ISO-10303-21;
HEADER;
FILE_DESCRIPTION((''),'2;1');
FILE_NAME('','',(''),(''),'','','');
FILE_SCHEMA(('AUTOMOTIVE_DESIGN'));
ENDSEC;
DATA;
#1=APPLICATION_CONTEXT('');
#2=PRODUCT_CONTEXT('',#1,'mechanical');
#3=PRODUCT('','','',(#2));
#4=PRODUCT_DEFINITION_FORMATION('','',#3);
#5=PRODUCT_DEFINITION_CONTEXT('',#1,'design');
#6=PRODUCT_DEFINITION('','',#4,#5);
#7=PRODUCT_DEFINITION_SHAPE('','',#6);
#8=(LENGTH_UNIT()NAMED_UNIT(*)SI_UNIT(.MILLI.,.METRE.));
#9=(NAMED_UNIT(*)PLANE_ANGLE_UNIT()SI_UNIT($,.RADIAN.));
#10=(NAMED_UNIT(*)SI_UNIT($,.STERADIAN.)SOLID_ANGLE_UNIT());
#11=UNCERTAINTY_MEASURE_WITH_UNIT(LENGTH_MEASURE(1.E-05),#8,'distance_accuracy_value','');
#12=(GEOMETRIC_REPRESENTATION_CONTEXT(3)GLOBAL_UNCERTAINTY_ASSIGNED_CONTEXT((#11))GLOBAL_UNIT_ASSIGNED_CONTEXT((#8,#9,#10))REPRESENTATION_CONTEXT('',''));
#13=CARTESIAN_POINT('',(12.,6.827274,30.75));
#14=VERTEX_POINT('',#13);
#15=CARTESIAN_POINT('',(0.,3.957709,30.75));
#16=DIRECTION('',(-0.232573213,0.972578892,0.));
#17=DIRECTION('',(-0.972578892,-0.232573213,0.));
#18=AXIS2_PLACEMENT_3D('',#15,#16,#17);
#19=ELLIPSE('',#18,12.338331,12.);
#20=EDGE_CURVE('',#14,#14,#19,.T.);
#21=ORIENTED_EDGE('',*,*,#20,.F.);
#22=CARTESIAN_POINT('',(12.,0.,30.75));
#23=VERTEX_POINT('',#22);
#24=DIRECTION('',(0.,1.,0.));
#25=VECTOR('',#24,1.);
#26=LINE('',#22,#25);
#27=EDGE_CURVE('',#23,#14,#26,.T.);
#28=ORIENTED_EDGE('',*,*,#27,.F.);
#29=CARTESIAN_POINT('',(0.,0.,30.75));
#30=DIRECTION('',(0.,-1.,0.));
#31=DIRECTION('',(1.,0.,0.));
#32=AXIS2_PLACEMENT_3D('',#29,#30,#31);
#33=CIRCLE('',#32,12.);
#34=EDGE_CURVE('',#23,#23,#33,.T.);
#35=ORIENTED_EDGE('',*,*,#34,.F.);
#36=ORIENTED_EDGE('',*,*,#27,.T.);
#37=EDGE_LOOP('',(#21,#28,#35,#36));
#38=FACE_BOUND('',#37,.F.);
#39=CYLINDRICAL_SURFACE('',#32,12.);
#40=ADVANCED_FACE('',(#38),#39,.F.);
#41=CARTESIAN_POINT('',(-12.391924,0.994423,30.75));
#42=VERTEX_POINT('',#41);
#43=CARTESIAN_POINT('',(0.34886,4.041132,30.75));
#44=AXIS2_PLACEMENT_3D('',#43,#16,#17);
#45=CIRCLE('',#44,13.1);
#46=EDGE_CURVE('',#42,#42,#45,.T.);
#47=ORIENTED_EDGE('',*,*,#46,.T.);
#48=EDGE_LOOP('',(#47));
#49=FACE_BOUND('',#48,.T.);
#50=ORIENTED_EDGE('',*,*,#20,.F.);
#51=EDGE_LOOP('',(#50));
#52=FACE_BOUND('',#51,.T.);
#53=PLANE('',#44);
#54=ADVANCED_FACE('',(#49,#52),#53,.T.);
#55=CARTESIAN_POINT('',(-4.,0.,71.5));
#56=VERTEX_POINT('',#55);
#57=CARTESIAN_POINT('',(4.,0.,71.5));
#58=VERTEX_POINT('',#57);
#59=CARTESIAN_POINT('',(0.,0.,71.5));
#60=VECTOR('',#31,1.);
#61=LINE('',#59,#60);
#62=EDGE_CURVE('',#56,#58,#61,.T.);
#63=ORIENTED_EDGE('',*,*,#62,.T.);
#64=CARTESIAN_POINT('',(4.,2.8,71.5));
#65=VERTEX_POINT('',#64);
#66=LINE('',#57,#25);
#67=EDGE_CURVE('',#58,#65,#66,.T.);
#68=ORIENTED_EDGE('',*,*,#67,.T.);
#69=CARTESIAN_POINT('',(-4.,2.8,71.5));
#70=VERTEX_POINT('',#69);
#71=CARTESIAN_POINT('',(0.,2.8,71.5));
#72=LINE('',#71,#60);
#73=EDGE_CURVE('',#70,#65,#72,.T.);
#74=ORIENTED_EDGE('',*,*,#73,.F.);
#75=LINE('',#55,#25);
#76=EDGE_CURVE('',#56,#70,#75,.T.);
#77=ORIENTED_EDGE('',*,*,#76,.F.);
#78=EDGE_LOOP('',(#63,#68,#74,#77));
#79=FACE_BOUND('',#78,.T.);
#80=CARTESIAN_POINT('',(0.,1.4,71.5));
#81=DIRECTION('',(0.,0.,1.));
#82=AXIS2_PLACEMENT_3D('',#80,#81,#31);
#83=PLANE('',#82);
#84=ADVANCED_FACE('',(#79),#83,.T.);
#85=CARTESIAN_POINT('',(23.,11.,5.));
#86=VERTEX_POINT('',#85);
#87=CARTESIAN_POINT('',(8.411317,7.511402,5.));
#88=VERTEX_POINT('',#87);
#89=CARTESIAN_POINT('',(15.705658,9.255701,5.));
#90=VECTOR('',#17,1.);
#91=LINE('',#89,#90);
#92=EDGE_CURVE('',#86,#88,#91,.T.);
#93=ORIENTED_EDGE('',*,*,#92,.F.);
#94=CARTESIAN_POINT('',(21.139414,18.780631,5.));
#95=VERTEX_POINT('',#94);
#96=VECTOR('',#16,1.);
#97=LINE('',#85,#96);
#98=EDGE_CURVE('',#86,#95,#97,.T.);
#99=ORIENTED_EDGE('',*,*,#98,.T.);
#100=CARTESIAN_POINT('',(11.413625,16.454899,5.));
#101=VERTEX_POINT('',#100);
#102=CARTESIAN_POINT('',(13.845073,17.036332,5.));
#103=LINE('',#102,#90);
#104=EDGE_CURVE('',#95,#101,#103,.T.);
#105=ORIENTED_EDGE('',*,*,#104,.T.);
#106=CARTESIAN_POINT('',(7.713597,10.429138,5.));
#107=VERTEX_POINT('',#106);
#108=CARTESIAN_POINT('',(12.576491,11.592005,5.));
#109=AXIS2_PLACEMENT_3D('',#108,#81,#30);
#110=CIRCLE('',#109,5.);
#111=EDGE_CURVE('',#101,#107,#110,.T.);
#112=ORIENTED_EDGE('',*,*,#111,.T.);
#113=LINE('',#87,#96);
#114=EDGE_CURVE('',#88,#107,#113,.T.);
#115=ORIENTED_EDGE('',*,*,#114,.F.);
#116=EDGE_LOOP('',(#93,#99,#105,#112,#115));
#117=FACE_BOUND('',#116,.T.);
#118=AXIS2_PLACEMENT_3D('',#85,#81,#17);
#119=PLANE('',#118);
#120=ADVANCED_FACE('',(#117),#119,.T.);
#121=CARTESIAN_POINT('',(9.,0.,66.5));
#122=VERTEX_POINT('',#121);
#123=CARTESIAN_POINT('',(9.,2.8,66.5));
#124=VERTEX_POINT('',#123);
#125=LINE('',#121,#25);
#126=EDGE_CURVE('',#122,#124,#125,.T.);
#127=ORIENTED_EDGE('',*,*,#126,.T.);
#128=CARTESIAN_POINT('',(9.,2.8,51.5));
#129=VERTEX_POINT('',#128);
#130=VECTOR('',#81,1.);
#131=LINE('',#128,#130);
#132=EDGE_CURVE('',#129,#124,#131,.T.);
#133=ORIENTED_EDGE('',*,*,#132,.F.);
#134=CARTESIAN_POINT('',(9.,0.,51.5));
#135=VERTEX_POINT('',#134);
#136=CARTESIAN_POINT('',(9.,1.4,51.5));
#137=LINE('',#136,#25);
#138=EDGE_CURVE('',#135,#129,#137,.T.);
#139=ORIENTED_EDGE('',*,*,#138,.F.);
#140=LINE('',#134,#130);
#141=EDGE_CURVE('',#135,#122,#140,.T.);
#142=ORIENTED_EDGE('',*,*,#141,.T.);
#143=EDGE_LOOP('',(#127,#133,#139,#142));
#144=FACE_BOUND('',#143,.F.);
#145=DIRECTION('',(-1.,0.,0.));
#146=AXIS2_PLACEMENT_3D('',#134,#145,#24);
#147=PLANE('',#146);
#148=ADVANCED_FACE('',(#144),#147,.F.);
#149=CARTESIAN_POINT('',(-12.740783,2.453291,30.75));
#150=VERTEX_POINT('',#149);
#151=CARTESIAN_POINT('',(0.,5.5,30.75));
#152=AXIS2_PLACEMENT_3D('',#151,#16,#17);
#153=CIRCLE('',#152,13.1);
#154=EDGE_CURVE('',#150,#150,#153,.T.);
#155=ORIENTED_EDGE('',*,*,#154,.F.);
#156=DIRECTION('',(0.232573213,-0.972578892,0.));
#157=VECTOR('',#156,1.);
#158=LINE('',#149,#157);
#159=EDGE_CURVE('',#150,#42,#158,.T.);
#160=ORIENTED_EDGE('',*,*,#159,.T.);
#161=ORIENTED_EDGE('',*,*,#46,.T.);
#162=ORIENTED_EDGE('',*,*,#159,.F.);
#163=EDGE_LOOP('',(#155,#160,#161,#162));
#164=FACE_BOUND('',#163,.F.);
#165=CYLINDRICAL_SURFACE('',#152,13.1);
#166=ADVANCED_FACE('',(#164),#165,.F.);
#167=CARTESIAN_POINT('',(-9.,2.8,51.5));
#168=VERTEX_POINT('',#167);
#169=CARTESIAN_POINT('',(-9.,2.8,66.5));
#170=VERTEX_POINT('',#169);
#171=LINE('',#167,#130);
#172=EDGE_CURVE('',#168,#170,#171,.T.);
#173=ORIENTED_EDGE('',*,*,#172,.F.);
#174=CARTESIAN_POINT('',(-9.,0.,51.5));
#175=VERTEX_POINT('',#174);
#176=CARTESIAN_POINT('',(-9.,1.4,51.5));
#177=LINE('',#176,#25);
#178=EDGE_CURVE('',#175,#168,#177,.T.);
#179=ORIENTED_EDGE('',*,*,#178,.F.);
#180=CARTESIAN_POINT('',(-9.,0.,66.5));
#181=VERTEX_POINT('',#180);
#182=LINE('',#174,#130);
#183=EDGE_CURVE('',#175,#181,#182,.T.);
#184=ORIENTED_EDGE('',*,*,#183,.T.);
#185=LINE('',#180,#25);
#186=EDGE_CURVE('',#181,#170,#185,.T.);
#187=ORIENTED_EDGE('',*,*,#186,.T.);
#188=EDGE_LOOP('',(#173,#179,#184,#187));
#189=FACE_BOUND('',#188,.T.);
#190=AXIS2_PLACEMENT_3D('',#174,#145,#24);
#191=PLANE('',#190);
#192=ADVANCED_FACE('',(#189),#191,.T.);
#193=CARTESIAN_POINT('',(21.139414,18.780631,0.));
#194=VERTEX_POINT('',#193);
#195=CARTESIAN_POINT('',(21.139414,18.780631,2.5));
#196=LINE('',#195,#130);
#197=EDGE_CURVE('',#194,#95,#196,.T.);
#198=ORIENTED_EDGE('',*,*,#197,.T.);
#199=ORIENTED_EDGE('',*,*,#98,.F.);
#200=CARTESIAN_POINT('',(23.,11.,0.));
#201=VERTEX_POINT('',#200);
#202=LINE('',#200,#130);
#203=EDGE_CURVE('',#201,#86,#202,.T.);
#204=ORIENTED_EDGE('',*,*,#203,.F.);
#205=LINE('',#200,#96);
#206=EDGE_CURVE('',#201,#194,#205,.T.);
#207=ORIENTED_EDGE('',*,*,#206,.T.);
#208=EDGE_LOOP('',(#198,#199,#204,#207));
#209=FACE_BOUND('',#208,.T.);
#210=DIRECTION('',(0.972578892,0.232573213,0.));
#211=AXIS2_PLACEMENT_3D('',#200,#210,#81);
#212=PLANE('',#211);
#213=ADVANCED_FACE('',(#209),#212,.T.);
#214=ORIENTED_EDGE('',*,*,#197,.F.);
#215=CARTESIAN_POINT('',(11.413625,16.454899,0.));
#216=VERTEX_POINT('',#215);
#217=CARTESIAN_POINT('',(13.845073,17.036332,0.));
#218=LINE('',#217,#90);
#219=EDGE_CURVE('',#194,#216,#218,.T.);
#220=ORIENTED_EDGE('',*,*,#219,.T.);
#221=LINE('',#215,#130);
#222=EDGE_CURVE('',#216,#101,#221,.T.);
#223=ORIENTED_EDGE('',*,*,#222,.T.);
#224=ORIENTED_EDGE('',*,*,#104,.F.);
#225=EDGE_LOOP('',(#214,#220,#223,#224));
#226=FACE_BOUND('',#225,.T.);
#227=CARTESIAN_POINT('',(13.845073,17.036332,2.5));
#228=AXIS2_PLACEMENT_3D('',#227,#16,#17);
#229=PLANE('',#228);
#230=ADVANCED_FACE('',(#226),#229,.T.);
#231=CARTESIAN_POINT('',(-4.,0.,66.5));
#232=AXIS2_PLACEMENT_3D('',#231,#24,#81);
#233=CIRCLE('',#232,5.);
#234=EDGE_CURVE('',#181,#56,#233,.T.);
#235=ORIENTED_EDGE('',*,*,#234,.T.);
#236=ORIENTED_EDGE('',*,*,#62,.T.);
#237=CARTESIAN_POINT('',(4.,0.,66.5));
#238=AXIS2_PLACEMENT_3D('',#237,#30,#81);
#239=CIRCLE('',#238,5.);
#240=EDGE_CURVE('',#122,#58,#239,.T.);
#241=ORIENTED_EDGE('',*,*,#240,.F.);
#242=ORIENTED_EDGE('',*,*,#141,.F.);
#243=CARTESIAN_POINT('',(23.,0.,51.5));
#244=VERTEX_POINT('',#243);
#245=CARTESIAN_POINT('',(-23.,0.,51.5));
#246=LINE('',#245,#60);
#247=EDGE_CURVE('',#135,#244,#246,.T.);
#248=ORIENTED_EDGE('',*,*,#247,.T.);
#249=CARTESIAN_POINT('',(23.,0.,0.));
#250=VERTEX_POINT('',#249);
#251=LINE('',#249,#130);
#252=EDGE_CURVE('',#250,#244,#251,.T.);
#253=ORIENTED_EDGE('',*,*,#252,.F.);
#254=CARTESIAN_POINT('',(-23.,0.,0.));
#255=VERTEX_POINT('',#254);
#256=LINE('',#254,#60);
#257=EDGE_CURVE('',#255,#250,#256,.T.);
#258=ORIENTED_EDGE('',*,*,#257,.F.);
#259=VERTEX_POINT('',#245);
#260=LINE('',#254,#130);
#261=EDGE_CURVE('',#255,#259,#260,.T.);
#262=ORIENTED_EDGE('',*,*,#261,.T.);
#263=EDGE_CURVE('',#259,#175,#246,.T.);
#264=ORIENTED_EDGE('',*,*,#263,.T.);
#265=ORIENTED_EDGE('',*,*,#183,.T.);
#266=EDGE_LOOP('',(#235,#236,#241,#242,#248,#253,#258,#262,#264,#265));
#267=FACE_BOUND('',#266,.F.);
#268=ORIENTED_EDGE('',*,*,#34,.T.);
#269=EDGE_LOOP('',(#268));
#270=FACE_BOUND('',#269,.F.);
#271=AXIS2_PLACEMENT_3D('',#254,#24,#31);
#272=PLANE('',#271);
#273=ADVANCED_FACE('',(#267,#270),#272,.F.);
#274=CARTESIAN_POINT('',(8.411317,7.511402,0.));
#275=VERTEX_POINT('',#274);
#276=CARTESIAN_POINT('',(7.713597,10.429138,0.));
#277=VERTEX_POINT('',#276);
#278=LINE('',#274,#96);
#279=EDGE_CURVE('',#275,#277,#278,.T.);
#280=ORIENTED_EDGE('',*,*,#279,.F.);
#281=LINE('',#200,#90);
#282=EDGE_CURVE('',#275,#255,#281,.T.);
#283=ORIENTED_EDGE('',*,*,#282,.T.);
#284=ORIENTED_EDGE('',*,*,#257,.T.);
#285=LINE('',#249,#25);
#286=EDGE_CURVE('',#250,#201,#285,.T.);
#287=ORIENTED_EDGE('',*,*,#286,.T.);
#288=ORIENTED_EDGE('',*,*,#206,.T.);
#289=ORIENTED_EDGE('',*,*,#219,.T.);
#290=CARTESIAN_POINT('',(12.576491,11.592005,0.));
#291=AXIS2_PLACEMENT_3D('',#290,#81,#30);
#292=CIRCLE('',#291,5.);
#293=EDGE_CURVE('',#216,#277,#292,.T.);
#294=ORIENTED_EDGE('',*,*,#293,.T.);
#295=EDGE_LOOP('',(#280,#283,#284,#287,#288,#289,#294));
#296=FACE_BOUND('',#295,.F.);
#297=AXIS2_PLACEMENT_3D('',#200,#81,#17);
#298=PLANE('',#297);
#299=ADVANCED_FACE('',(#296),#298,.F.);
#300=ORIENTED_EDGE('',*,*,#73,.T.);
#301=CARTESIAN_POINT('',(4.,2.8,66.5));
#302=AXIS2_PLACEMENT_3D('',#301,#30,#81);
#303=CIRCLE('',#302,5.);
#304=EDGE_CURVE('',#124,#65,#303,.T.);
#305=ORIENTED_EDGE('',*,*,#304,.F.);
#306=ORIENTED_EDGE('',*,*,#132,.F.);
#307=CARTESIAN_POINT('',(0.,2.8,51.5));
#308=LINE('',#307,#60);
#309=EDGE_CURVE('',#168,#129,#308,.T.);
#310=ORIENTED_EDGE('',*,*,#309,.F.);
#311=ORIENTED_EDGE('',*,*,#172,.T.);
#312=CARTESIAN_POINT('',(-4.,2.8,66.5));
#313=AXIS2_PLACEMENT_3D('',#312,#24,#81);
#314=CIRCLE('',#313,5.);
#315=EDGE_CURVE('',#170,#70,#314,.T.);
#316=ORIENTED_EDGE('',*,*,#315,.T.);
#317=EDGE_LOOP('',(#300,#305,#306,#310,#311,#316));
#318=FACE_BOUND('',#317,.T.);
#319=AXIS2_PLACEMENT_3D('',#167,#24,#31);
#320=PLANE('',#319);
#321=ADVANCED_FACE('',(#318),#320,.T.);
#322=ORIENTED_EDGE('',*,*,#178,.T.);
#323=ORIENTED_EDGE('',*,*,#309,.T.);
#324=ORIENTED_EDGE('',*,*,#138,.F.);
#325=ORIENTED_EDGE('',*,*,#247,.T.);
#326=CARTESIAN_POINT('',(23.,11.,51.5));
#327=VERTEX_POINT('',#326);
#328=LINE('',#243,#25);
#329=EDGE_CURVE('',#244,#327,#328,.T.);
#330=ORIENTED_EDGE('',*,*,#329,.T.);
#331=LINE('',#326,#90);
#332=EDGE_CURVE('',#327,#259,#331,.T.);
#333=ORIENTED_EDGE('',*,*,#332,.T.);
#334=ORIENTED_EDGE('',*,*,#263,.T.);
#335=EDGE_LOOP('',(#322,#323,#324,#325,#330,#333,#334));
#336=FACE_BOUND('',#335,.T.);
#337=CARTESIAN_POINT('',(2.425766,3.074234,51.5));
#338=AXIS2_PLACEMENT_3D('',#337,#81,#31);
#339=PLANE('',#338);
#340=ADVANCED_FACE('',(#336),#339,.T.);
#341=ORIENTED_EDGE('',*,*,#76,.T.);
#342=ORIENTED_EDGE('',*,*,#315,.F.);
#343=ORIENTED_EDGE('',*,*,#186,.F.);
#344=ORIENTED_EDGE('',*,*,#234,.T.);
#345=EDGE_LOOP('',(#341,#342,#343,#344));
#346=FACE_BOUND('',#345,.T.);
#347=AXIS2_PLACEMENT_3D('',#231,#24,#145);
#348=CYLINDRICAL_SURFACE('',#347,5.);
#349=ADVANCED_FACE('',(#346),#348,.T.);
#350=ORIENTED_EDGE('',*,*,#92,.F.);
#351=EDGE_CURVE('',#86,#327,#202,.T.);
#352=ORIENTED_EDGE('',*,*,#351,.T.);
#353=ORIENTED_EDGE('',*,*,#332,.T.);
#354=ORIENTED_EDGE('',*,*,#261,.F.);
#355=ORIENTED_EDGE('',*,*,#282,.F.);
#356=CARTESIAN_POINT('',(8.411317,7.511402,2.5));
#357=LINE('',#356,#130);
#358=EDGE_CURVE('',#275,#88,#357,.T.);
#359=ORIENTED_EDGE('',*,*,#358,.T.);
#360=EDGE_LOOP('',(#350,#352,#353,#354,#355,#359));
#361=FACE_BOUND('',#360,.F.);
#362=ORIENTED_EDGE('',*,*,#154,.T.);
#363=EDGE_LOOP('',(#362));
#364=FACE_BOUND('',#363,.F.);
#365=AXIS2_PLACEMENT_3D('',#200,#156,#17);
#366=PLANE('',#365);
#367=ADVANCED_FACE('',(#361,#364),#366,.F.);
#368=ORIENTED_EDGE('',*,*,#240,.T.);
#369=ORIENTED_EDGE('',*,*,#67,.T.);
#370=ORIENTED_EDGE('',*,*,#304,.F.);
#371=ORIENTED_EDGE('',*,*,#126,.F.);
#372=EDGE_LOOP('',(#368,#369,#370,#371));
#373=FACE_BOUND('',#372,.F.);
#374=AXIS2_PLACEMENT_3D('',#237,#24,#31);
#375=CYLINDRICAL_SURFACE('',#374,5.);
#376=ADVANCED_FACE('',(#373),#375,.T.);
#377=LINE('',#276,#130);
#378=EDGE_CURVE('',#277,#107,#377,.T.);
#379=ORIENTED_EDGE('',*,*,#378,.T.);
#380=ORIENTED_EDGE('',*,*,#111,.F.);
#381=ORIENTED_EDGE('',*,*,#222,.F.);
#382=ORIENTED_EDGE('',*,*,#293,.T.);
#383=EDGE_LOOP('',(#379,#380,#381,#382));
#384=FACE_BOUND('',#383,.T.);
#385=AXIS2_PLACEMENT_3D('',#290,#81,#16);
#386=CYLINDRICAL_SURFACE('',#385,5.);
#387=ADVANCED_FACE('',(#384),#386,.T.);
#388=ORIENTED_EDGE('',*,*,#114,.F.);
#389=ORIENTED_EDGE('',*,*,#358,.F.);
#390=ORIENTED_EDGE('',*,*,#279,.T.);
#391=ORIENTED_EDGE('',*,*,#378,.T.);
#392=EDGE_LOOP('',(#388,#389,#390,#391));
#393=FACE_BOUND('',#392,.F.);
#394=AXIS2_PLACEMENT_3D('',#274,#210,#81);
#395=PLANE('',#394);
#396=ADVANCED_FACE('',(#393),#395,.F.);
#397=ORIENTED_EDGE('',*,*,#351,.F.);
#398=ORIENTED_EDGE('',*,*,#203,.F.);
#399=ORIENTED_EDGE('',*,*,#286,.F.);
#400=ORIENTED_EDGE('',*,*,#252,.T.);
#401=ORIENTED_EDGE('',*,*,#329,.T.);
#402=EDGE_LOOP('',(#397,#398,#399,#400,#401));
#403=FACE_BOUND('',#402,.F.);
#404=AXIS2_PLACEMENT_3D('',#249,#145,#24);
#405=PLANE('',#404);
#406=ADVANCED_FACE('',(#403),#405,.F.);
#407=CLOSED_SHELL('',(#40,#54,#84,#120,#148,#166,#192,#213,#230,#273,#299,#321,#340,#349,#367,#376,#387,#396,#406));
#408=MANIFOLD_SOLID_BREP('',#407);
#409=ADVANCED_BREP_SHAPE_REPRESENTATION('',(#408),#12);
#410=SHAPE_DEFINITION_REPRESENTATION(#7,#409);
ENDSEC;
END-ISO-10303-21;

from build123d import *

# Parameters (mm, degrees)
F1_DEPTH = 51.5
F2_R     = 12
F3_DEPTH = 11.001
F4_R     = 13.1
F5_DEPTH = 1.5
F6_W     = 15
F6_H     = 5
F7_DEPTH = 8
F8_W     = 18
F8_H     = 2.8
F9_DEPTH = 20
F10_R    = 5


with BuildPart() as f1:
    # F0 (on Top) → F1 (new body)
    with BuildSketch(Plane.XY):
        Polygon((23, 11), (-23, 0), (23, 0), align=None)
    extrude(amount=F1_DEPTH)

    # F2 (on face) → F3 (cut, through all)
    with BuildSketch(Plane.XZ):
        with Locations((0, 30.75)):
            Circle(F2_R)
    extrude(amount=-F3_DEPTH, mode=Mode.SUBTRACT)

    # F4 (on face) → F5 (cut)
    with BuildSketch(Plane(origin=(-1.2440768887, 5.2025033527, 0), x_dir=(-0.9725788917, -0.2325732132, 0), z_dir=(-0.2325732132, 0.9725788917, 0))):
        with Locations((-1.2791526727, 30.75)):
            Circle(F4_R)
    extrude(amount=-F5_DEPTH, mode=Mode.SUBTRACT)

    # F6 (on face) → F7 (join)
    with BuildSketch(Plane(origin=(-1.2440768887, 5.2025033527, 0), x_dir=(-0.9725788917, -0.2325732132, 0), z_dir=(-0.2325732132, 0.9725788917, 0))):
        with Locations((-17.4276198535, 2.5)):
            Rectangle(F6_W, F6_H)
    extrude(amount=F7_DEPTH)

    # F8 (on face) → F9 (join)
    with BuildSketch(Plane.XY.offset(51.5)):
        with Locations((0, 1.4)):
            Rectangle(F8_W, F8_H)
    extrude(amount=F9_DEPTH)

    # F10
    f10_edges = [f1.edges().sort_by_distance(p)[0] for p in [
        (6.550731, 15.292033, 2.5),
        (-9, 1.4, 71.5),
        (9, 1.4, 71.5),
    ]]
    fillet(f10_edges, radius=F10_R)


solid = f1.part
